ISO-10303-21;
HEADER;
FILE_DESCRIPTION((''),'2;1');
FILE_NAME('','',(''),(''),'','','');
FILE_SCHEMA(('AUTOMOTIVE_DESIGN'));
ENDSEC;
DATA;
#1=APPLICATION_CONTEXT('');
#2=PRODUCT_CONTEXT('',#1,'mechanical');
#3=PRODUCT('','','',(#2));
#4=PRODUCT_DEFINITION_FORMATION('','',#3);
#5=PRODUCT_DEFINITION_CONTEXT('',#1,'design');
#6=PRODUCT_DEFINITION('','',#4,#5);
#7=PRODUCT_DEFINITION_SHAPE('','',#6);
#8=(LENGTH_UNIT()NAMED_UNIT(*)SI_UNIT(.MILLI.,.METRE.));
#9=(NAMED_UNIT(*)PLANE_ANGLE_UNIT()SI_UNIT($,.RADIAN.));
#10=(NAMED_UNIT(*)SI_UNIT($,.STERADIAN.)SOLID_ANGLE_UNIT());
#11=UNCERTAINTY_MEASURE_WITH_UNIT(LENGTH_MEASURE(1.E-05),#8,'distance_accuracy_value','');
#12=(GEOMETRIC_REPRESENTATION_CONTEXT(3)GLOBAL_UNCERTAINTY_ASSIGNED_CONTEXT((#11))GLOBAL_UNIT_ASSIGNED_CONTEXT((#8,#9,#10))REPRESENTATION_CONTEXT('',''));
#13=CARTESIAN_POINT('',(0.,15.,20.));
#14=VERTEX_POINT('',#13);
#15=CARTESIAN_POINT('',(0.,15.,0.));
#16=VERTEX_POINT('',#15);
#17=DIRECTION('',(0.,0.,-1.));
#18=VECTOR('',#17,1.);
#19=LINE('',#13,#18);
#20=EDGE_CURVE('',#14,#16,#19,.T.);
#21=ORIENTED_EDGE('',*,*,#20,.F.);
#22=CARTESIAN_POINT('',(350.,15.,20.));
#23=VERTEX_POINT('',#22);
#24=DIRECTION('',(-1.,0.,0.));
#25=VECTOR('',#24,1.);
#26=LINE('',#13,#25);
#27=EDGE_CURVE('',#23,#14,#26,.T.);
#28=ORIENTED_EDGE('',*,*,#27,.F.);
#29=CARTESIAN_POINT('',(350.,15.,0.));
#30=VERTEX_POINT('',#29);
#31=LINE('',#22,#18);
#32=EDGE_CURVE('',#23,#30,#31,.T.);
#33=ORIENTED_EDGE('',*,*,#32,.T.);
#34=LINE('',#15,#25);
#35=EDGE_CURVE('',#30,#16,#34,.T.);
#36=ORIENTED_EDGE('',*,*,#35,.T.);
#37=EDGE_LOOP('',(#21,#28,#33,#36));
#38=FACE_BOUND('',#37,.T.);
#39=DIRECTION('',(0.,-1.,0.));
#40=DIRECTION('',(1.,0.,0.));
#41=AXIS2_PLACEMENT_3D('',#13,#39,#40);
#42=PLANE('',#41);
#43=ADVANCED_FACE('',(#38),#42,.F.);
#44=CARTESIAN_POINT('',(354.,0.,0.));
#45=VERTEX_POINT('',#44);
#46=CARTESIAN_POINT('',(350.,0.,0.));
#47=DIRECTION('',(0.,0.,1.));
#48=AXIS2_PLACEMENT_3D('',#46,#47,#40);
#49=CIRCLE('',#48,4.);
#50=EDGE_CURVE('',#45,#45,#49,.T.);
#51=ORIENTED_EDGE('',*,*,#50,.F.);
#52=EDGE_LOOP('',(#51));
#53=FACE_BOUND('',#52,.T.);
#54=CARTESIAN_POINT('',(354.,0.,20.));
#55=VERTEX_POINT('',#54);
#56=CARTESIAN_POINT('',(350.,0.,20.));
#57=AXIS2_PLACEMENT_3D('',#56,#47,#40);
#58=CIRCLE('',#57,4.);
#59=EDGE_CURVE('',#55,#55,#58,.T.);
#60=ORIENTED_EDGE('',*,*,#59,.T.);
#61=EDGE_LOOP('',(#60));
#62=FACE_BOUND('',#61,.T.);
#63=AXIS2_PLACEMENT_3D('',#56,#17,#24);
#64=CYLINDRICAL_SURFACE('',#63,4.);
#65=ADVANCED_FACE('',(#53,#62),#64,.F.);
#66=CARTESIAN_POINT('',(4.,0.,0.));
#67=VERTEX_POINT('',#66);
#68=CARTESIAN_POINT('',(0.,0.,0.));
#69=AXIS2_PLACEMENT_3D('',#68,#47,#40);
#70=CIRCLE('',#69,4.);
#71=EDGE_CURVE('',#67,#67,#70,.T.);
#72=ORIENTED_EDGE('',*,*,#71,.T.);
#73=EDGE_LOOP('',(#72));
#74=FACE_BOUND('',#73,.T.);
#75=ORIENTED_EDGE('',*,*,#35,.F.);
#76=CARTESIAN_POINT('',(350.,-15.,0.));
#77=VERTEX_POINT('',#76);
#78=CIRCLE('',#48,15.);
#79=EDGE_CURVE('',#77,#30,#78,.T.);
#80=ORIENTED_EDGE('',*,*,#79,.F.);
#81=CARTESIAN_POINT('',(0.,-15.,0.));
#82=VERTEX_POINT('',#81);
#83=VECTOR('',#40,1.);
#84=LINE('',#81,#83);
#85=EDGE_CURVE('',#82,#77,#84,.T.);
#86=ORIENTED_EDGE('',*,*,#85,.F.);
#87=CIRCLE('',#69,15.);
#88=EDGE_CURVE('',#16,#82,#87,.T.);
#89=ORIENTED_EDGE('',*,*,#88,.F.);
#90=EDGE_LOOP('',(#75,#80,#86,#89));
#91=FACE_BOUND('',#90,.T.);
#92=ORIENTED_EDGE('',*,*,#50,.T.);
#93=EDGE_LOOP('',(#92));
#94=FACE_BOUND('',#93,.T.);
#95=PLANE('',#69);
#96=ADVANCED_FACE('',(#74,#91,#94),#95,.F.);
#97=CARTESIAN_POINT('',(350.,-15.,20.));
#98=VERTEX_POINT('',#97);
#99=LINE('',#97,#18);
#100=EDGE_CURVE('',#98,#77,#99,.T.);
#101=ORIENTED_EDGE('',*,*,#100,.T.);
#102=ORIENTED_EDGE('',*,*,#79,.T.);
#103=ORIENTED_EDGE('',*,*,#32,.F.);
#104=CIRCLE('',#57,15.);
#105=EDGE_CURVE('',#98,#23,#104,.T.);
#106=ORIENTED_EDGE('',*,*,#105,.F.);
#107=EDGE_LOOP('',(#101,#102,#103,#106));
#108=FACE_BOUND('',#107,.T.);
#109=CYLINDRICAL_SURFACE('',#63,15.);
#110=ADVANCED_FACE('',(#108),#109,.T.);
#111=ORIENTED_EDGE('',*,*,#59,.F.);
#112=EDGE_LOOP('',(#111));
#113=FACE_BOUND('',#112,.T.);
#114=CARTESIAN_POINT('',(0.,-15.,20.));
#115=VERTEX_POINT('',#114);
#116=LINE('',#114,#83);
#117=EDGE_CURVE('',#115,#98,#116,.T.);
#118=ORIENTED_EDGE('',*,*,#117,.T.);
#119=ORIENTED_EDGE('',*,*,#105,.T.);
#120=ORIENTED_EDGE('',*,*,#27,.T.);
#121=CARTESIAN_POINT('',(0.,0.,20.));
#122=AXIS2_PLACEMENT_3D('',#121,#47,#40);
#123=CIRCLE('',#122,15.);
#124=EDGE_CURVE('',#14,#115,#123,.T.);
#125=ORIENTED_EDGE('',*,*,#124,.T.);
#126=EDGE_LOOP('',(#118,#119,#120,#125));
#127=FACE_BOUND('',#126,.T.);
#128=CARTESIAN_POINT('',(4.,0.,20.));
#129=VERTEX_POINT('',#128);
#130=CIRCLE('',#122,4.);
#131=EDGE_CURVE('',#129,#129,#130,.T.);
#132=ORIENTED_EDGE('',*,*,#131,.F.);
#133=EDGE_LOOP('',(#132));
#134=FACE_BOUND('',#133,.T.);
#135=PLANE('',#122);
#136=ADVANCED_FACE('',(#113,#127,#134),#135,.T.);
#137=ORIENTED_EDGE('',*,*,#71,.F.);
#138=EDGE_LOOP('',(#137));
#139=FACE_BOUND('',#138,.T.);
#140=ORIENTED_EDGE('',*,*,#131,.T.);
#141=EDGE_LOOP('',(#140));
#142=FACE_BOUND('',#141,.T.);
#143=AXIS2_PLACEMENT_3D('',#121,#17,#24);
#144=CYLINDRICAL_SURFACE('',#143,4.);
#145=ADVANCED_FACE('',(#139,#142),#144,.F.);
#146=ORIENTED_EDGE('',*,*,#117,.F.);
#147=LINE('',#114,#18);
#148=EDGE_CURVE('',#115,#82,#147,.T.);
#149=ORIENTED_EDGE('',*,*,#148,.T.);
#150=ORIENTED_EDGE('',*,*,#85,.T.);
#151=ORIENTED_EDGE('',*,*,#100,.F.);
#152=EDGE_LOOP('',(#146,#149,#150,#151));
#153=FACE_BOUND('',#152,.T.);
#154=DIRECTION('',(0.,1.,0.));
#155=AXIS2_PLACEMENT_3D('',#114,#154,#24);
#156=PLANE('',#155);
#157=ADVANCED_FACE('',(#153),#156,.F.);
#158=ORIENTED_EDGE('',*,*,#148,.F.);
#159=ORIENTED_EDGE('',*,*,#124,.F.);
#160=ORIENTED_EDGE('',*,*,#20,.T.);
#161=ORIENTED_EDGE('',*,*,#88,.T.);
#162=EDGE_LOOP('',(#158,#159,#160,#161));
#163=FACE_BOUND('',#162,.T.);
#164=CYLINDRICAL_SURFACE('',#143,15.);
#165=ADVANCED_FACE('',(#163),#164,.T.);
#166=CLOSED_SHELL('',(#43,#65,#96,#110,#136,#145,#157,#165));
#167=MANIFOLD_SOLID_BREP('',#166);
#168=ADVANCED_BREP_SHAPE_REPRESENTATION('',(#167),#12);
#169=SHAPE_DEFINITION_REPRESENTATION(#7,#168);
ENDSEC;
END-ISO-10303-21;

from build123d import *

# Parameters (mm, degrees)
EXTRUDE_1_DEPTH     = 20
SKETCH_2_R          = 4
CUT_EXTRUDE_1_DEPTH = 20


with BuildPart() as part:
    # 草图1 → 凸台-拉伸1 (new body)
    with BuildSketch(Plane.XY):
        with BuildLine():
            Line((0, -15), (350, -15))
            ThreePointArc((350, -15), (365, 0), (350, 15))
            Line((350, 15), (0, 15))
            ThreePointArc((0, 15), (-15, 0), (0, -15))
        make_face()
    extrude(amount=EXTRUDE_1_DEPTH)

    # 草图2 → 切除-拉伸1 (cut)
    with BuildSketch(Plane.XY):
        Circle(SKETCH_2_R)
        with Locations((350, 0)):
            Circle(SKETCH_2_R)
    extrude(amount=CUT_EXTRUDE_1_DEPTH, mode=Mode.SUBTRACT)


solid = part.part
